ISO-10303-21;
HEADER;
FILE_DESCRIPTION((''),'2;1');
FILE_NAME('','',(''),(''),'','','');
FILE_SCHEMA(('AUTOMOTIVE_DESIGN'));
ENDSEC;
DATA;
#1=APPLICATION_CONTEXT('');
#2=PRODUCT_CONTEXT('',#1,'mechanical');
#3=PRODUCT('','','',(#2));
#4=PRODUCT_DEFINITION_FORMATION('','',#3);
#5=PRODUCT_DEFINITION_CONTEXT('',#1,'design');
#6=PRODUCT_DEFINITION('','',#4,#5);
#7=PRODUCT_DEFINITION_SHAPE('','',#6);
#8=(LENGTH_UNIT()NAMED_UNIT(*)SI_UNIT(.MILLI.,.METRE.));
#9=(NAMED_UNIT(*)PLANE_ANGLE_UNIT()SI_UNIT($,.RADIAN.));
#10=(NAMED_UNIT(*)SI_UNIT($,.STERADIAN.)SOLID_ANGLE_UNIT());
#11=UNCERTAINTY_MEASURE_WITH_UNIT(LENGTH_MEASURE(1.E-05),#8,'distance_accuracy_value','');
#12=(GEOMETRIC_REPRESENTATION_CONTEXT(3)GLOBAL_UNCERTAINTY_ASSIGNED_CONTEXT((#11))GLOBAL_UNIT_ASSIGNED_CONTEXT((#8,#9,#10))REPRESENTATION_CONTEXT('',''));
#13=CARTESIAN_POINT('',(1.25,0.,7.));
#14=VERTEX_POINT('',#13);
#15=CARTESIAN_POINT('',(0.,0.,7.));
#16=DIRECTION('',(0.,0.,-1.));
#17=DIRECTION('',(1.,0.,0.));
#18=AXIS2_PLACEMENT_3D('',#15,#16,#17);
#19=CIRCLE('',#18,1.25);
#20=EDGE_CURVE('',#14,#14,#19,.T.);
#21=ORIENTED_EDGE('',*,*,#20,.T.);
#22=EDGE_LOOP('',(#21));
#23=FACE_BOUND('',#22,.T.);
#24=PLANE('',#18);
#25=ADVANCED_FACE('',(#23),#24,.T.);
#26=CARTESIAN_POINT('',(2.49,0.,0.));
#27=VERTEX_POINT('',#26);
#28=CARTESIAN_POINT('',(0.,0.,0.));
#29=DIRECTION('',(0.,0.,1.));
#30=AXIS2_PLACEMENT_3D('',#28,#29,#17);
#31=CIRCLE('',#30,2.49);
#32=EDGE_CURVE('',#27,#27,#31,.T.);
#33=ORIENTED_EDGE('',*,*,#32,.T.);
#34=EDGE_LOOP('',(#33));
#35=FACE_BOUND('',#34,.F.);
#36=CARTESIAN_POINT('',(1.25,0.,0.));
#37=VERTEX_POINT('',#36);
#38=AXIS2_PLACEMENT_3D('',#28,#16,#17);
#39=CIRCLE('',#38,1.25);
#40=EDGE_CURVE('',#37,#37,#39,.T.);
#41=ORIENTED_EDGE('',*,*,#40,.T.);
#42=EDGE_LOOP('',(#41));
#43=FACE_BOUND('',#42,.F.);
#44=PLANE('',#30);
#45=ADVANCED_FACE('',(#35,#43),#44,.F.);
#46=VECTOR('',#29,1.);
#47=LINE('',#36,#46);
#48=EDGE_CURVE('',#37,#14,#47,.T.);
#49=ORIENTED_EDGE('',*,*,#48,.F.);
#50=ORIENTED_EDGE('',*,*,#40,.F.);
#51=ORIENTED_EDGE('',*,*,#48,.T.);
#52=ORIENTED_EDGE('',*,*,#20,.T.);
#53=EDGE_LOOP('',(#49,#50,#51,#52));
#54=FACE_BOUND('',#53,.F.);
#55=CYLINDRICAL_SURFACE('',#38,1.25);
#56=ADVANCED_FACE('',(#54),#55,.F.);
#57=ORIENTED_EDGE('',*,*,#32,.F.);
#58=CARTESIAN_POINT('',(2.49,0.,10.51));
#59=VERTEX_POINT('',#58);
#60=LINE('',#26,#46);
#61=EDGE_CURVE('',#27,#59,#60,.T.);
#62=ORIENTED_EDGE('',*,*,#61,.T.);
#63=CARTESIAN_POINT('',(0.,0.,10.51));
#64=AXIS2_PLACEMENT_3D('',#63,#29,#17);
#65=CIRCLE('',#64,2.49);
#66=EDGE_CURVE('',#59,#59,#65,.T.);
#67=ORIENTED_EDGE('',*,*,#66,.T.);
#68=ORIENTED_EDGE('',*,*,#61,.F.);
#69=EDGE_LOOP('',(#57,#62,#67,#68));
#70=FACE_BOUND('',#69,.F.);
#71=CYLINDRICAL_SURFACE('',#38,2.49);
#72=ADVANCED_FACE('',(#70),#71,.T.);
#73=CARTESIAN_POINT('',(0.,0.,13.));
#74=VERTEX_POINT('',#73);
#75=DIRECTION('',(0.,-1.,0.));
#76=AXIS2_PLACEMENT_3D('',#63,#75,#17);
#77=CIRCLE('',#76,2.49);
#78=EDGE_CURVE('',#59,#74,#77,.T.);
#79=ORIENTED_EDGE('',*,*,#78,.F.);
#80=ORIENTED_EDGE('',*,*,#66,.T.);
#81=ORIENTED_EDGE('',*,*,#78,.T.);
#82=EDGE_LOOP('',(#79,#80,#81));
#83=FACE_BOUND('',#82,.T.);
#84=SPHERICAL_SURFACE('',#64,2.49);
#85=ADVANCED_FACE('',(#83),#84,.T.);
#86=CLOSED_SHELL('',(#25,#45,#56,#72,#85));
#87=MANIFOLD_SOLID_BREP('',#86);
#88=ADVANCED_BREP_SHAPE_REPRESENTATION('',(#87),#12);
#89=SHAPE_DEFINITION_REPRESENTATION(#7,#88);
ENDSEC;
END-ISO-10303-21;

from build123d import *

# Parameters (mm, degrees)
F0_R     = 2.49
F1_DEPTH = 13
F2_R     = 1.25
F3_DEPTH = 7
F4_R     = 2.49


with BuildPart() as f1:
    # F0 (on Top) → F1 (new body)
    with BuildSketch(Plane.XY):
        Circle(F0_R)
    extrude(amount=F1_DEPTH)

    # F2 (on face) → F3 (cut)
    with BuildSketch(Plane(origin=(0, 0, 0), x_dir=(1, 0, 0), z_dir=(0, 0, -1))):
        Circle(F2_R)
    extrude(amount=-F3_DEPTH, mode=Mode.SUBTRACT)

    # F4
    f4_edges = [f1.edges().sort_by_distance(p)[0] for p in [
        (-2.49, 0, 13),
    ]]
    fillet(f4_edges, radius=F4_R)


solid = f1.part
